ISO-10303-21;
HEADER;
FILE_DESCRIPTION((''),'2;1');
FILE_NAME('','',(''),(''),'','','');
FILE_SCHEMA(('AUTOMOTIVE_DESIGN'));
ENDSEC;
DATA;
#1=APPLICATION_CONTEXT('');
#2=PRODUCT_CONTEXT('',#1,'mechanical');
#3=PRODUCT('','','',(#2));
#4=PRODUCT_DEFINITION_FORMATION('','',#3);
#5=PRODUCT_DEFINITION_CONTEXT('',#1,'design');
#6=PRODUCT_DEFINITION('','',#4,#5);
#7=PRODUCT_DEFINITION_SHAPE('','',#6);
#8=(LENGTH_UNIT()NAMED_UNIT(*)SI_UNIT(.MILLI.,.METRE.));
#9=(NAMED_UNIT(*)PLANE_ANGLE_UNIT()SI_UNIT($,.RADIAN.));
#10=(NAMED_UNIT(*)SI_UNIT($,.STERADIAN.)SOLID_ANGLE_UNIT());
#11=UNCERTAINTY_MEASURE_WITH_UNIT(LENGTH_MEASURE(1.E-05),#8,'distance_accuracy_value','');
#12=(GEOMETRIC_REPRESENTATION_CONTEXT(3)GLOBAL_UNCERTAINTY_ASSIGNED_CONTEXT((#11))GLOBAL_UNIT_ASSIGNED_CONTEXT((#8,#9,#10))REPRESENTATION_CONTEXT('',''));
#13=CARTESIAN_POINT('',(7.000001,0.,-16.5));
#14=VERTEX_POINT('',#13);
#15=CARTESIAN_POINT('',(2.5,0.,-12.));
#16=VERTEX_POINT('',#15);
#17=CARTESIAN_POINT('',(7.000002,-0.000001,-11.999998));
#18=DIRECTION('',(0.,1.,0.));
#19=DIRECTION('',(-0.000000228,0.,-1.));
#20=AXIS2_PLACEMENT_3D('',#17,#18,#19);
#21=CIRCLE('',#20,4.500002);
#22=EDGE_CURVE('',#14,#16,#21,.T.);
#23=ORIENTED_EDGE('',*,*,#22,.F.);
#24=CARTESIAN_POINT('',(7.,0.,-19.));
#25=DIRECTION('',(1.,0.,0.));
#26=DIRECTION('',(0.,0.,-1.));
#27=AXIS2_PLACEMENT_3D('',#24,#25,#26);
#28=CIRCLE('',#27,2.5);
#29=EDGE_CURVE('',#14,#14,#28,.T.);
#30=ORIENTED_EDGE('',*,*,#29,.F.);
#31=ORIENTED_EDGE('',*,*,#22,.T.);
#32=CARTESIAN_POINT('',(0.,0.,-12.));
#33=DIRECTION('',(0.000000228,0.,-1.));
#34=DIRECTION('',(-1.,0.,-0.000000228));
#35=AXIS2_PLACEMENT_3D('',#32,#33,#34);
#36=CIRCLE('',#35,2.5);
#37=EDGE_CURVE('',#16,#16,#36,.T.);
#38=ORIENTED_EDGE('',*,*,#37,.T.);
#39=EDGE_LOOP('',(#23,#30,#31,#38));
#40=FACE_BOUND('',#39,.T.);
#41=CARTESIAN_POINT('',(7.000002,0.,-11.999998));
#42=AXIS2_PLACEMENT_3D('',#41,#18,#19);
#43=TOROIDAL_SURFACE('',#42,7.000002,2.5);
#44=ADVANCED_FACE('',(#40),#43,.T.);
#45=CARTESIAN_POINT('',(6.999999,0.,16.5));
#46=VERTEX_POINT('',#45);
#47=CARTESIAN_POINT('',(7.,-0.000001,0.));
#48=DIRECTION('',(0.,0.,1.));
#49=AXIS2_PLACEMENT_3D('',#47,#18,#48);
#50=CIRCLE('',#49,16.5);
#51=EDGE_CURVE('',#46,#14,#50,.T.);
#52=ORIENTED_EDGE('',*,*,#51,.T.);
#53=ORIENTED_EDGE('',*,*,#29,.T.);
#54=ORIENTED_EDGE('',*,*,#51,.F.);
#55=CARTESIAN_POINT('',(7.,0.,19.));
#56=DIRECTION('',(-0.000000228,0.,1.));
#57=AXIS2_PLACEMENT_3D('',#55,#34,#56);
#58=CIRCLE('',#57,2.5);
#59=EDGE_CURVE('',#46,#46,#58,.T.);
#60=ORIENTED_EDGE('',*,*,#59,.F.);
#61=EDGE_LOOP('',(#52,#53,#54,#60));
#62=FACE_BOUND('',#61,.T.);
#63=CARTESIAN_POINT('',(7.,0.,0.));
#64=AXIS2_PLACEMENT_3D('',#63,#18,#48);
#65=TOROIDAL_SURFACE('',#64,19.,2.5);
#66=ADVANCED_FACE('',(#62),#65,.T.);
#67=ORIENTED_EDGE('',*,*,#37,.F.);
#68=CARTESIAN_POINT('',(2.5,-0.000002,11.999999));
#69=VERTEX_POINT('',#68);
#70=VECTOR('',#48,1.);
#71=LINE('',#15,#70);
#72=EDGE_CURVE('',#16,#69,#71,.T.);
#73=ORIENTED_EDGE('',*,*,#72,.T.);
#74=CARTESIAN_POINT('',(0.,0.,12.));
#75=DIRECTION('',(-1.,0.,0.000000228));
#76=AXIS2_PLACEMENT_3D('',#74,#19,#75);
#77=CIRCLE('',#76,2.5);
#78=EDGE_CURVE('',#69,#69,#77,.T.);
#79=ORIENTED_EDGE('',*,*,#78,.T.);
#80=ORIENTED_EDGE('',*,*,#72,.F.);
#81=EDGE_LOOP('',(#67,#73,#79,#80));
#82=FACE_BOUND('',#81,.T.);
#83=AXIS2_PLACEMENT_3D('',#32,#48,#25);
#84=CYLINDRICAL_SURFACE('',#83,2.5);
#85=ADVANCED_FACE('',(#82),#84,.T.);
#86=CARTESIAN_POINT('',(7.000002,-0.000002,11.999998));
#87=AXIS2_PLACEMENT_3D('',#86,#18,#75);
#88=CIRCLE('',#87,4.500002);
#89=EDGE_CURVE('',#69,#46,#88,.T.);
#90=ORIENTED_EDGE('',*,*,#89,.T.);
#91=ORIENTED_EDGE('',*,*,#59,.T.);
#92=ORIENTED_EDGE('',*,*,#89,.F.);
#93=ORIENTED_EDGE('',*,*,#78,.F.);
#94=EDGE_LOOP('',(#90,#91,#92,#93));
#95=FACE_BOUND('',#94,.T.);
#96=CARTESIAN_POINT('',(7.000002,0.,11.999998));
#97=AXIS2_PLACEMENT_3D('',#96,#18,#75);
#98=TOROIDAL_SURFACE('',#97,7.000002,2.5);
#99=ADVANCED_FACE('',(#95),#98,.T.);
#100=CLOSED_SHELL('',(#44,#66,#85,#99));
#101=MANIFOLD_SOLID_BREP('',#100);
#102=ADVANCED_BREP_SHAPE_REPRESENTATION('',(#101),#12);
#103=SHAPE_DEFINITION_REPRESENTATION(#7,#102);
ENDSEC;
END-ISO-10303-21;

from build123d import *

# Parameters (mm, degrees)
F1_R = 2.5


with BuildPart() as f2:
    # F2: sweep along a path in F0
    with BuildLine(Plane.XZ) as f2_path:
        Line((0, 0), (0, 12))
        ThreePointArc((0, 12), (2.050253, 16.949747), (7, 19))
        ThreePointArc((7, 19), (26, 0), (7, -19))
        ThreePointArc((7, -19), (2.050253, -16.949747), (0, -12))
        Line((0, -12), (0, 0))
    # F1 (on Top) → F2 (sweep)
    with BuildSketch(Plane.XY):
        Circle(F1_R)
    sweep(path=f2_path.line)


solid = f2.part
